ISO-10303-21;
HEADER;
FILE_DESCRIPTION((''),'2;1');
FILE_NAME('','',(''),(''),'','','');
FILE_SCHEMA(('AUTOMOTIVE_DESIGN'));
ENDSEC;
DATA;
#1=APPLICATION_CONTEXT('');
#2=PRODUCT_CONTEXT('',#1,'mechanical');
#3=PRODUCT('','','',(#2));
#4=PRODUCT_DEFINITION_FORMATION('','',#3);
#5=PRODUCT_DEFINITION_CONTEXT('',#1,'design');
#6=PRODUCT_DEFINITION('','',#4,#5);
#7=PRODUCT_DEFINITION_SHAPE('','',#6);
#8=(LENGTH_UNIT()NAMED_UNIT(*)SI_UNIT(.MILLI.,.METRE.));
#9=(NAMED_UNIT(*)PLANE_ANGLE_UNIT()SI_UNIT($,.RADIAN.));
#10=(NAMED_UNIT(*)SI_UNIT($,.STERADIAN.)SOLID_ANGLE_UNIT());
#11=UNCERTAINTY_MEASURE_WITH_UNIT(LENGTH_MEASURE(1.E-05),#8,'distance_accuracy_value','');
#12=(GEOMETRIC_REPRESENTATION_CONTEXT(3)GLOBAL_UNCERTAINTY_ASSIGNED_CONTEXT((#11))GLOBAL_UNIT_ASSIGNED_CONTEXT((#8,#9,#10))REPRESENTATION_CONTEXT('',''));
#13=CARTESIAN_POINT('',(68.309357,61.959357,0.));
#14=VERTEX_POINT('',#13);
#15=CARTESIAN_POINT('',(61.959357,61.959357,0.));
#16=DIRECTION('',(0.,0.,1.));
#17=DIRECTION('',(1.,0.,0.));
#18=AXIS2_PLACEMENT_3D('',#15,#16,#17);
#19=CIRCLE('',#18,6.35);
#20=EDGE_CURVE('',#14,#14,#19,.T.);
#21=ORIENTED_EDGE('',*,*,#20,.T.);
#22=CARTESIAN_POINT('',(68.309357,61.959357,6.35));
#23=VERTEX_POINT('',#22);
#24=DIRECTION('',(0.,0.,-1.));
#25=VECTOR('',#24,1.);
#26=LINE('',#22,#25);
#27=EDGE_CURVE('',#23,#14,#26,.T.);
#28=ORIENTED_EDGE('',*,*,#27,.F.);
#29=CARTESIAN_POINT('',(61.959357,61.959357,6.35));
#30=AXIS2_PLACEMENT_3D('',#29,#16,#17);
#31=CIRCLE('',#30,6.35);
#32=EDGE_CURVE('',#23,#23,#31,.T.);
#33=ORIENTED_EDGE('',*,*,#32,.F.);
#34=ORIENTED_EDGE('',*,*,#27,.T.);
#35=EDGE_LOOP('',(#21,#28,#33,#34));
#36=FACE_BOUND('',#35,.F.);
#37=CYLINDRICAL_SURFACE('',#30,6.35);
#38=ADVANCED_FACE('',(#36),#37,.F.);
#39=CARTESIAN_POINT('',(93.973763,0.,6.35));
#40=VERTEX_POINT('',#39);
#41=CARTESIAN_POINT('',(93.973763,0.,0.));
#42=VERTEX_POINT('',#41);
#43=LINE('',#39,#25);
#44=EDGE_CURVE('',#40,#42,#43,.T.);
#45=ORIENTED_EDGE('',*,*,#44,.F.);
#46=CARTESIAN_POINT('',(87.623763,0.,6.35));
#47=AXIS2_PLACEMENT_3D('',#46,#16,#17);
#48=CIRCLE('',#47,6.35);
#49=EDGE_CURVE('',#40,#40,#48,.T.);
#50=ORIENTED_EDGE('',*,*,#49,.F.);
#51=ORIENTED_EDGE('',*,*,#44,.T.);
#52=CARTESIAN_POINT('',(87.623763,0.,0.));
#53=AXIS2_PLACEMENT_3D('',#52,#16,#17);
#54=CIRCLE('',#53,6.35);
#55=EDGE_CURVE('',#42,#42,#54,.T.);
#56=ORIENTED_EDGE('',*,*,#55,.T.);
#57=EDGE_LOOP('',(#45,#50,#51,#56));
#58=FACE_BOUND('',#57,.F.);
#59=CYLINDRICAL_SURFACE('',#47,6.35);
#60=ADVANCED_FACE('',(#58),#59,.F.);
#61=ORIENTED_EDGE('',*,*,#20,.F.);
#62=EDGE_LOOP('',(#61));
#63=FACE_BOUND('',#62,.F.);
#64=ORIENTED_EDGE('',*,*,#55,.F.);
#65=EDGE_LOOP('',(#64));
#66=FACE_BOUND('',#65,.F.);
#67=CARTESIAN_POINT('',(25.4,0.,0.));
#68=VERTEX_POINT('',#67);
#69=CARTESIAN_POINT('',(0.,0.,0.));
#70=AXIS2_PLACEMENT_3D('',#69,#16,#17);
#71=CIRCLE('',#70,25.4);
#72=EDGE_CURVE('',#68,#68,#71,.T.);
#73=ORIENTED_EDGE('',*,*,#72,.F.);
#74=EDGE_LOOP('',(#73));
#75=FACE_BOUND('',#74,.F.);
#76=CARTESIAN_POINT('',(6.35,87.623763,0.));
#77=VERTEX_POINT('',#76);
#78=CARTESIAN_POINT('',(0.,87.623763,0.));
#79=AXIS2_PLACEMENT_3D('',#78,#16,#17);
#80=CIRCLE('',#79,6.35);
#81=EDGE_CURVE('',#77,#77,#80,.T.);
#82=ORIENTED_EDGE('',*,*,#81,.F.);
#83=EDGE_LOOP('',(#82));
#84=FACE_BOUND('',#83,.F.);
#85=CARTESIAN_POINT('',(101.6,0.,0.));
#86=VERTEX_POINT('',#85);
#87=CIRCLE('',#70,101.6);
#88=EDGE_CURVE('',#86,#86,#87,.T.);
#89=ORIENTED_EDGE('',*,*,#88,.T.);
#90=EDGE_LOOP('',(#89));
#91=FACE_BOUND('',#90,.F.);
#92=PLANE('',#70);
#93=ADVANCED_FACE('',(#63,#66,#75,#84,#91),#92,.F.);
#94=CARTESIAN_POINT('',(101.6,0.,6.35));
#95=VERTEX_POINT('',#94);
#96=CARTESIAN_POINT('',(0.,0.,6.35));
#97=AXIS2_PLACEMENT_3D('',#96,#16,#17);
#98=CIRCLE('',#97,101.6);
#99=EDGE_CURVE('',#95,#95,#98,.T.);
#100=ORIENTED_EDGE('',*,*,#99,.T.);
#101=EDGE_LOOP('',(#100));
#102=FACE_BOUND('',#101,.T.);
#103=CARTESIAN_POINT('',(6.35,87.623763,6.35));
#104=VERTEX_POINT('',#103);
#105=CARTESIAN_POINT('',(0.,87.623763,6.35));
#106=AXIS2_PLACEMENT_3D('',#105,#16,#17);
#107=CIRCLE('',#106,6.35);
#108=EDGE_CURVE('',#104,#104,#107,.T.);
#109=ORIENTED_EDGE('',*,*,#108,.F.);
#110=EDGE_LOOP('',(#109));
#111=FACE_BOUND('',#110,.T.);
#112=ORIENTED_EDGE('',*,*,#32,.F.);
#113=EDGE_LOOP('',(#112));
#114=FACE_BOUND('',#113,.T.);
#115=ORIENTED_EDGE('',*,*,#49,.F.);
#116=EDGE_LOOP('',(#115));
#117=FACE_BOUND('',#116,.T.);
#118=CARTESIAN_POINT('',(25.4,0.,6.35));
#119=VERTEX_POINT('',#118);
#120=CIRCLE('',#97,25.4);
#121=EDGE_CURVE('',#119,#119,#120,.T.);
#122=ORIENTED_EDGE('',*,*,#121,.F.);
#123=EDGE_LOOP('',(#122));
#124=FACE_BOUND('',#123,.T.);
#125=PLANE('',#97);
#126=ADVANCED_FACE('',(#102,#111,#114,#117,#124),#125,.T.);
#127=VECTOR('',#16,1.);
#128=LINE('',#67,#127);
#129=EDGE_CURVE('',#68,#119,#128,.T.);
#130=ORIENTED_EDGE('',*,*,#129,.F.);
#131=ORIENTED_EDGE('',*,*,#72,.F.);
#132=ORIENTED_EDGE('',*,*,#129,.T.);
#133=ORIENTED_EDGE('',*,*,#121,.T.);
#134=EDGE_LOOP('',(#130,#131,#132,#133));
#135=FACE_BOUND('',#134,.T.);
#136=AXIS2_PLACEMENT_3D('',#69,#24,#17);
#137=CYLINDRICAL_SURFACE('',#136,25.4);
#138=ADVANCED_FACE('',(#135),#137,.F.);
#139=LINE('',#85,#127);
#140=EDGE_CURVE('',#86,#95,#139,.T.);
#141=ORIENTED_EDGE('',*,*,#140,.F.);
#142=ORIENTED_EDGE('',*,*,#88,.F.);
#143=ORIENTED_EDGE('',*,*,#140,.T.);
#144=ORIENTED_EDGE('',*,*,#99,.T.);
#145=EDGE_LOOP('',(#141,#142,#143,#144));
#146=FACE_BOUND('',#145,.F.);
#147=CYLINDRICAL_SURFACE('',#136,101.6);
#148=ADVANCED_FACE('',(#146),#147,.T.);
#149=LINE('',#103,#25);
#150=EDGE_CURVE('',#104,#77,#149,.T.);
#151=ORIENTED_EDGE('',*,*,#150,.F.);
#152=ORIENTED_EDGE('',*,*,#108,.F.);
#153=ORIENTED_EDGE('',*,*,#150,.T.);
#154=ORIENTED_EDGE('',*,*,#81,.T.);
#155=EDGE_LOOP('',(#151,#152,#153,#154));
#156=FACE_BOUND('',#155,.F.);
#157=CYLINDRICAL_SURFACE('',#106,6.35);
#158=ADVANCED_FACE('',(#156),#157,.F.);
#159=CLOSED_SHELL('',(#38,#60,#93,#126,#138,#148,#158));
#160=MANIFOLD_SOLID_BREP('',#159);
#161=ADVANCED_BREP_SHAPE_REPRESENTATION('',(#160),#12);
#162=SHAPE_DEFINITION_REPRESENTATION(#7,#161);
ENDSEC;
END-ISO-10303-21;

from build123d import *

# Parameters (mm, degrees)
F0_R     = 101.6
F0_R_2   = 25.4
F1_DEPTH = 6.35
F2_R     = 6.35
F3_DEPTH = 6.351


with BuildPart() as f1:
    # F0 (on Top) → F1 (new body)
    with BuildSketch(Plane.XY):
        Circle(F0_R)
        Circle(F0_R_2, mode=Mode.SUBTRACT)
    extrude(amount=F1_DEPTH)

    # F2 (on face) → F3 (cut, through all)
    with BuildSketch(Plane.XY.offset(6.35)):
        with Locations((0, 87.623763)):
            Circle(F2_R)
        with Locations((61.959357, 61.959357)):
            Circle(F2_R)
        with Locations((87.623763, 0)):
            Circle(F2_R)
    extrude(amount=-F3_DEPTH, mode=Mode.SUBTRACT)


solid = f1.part
